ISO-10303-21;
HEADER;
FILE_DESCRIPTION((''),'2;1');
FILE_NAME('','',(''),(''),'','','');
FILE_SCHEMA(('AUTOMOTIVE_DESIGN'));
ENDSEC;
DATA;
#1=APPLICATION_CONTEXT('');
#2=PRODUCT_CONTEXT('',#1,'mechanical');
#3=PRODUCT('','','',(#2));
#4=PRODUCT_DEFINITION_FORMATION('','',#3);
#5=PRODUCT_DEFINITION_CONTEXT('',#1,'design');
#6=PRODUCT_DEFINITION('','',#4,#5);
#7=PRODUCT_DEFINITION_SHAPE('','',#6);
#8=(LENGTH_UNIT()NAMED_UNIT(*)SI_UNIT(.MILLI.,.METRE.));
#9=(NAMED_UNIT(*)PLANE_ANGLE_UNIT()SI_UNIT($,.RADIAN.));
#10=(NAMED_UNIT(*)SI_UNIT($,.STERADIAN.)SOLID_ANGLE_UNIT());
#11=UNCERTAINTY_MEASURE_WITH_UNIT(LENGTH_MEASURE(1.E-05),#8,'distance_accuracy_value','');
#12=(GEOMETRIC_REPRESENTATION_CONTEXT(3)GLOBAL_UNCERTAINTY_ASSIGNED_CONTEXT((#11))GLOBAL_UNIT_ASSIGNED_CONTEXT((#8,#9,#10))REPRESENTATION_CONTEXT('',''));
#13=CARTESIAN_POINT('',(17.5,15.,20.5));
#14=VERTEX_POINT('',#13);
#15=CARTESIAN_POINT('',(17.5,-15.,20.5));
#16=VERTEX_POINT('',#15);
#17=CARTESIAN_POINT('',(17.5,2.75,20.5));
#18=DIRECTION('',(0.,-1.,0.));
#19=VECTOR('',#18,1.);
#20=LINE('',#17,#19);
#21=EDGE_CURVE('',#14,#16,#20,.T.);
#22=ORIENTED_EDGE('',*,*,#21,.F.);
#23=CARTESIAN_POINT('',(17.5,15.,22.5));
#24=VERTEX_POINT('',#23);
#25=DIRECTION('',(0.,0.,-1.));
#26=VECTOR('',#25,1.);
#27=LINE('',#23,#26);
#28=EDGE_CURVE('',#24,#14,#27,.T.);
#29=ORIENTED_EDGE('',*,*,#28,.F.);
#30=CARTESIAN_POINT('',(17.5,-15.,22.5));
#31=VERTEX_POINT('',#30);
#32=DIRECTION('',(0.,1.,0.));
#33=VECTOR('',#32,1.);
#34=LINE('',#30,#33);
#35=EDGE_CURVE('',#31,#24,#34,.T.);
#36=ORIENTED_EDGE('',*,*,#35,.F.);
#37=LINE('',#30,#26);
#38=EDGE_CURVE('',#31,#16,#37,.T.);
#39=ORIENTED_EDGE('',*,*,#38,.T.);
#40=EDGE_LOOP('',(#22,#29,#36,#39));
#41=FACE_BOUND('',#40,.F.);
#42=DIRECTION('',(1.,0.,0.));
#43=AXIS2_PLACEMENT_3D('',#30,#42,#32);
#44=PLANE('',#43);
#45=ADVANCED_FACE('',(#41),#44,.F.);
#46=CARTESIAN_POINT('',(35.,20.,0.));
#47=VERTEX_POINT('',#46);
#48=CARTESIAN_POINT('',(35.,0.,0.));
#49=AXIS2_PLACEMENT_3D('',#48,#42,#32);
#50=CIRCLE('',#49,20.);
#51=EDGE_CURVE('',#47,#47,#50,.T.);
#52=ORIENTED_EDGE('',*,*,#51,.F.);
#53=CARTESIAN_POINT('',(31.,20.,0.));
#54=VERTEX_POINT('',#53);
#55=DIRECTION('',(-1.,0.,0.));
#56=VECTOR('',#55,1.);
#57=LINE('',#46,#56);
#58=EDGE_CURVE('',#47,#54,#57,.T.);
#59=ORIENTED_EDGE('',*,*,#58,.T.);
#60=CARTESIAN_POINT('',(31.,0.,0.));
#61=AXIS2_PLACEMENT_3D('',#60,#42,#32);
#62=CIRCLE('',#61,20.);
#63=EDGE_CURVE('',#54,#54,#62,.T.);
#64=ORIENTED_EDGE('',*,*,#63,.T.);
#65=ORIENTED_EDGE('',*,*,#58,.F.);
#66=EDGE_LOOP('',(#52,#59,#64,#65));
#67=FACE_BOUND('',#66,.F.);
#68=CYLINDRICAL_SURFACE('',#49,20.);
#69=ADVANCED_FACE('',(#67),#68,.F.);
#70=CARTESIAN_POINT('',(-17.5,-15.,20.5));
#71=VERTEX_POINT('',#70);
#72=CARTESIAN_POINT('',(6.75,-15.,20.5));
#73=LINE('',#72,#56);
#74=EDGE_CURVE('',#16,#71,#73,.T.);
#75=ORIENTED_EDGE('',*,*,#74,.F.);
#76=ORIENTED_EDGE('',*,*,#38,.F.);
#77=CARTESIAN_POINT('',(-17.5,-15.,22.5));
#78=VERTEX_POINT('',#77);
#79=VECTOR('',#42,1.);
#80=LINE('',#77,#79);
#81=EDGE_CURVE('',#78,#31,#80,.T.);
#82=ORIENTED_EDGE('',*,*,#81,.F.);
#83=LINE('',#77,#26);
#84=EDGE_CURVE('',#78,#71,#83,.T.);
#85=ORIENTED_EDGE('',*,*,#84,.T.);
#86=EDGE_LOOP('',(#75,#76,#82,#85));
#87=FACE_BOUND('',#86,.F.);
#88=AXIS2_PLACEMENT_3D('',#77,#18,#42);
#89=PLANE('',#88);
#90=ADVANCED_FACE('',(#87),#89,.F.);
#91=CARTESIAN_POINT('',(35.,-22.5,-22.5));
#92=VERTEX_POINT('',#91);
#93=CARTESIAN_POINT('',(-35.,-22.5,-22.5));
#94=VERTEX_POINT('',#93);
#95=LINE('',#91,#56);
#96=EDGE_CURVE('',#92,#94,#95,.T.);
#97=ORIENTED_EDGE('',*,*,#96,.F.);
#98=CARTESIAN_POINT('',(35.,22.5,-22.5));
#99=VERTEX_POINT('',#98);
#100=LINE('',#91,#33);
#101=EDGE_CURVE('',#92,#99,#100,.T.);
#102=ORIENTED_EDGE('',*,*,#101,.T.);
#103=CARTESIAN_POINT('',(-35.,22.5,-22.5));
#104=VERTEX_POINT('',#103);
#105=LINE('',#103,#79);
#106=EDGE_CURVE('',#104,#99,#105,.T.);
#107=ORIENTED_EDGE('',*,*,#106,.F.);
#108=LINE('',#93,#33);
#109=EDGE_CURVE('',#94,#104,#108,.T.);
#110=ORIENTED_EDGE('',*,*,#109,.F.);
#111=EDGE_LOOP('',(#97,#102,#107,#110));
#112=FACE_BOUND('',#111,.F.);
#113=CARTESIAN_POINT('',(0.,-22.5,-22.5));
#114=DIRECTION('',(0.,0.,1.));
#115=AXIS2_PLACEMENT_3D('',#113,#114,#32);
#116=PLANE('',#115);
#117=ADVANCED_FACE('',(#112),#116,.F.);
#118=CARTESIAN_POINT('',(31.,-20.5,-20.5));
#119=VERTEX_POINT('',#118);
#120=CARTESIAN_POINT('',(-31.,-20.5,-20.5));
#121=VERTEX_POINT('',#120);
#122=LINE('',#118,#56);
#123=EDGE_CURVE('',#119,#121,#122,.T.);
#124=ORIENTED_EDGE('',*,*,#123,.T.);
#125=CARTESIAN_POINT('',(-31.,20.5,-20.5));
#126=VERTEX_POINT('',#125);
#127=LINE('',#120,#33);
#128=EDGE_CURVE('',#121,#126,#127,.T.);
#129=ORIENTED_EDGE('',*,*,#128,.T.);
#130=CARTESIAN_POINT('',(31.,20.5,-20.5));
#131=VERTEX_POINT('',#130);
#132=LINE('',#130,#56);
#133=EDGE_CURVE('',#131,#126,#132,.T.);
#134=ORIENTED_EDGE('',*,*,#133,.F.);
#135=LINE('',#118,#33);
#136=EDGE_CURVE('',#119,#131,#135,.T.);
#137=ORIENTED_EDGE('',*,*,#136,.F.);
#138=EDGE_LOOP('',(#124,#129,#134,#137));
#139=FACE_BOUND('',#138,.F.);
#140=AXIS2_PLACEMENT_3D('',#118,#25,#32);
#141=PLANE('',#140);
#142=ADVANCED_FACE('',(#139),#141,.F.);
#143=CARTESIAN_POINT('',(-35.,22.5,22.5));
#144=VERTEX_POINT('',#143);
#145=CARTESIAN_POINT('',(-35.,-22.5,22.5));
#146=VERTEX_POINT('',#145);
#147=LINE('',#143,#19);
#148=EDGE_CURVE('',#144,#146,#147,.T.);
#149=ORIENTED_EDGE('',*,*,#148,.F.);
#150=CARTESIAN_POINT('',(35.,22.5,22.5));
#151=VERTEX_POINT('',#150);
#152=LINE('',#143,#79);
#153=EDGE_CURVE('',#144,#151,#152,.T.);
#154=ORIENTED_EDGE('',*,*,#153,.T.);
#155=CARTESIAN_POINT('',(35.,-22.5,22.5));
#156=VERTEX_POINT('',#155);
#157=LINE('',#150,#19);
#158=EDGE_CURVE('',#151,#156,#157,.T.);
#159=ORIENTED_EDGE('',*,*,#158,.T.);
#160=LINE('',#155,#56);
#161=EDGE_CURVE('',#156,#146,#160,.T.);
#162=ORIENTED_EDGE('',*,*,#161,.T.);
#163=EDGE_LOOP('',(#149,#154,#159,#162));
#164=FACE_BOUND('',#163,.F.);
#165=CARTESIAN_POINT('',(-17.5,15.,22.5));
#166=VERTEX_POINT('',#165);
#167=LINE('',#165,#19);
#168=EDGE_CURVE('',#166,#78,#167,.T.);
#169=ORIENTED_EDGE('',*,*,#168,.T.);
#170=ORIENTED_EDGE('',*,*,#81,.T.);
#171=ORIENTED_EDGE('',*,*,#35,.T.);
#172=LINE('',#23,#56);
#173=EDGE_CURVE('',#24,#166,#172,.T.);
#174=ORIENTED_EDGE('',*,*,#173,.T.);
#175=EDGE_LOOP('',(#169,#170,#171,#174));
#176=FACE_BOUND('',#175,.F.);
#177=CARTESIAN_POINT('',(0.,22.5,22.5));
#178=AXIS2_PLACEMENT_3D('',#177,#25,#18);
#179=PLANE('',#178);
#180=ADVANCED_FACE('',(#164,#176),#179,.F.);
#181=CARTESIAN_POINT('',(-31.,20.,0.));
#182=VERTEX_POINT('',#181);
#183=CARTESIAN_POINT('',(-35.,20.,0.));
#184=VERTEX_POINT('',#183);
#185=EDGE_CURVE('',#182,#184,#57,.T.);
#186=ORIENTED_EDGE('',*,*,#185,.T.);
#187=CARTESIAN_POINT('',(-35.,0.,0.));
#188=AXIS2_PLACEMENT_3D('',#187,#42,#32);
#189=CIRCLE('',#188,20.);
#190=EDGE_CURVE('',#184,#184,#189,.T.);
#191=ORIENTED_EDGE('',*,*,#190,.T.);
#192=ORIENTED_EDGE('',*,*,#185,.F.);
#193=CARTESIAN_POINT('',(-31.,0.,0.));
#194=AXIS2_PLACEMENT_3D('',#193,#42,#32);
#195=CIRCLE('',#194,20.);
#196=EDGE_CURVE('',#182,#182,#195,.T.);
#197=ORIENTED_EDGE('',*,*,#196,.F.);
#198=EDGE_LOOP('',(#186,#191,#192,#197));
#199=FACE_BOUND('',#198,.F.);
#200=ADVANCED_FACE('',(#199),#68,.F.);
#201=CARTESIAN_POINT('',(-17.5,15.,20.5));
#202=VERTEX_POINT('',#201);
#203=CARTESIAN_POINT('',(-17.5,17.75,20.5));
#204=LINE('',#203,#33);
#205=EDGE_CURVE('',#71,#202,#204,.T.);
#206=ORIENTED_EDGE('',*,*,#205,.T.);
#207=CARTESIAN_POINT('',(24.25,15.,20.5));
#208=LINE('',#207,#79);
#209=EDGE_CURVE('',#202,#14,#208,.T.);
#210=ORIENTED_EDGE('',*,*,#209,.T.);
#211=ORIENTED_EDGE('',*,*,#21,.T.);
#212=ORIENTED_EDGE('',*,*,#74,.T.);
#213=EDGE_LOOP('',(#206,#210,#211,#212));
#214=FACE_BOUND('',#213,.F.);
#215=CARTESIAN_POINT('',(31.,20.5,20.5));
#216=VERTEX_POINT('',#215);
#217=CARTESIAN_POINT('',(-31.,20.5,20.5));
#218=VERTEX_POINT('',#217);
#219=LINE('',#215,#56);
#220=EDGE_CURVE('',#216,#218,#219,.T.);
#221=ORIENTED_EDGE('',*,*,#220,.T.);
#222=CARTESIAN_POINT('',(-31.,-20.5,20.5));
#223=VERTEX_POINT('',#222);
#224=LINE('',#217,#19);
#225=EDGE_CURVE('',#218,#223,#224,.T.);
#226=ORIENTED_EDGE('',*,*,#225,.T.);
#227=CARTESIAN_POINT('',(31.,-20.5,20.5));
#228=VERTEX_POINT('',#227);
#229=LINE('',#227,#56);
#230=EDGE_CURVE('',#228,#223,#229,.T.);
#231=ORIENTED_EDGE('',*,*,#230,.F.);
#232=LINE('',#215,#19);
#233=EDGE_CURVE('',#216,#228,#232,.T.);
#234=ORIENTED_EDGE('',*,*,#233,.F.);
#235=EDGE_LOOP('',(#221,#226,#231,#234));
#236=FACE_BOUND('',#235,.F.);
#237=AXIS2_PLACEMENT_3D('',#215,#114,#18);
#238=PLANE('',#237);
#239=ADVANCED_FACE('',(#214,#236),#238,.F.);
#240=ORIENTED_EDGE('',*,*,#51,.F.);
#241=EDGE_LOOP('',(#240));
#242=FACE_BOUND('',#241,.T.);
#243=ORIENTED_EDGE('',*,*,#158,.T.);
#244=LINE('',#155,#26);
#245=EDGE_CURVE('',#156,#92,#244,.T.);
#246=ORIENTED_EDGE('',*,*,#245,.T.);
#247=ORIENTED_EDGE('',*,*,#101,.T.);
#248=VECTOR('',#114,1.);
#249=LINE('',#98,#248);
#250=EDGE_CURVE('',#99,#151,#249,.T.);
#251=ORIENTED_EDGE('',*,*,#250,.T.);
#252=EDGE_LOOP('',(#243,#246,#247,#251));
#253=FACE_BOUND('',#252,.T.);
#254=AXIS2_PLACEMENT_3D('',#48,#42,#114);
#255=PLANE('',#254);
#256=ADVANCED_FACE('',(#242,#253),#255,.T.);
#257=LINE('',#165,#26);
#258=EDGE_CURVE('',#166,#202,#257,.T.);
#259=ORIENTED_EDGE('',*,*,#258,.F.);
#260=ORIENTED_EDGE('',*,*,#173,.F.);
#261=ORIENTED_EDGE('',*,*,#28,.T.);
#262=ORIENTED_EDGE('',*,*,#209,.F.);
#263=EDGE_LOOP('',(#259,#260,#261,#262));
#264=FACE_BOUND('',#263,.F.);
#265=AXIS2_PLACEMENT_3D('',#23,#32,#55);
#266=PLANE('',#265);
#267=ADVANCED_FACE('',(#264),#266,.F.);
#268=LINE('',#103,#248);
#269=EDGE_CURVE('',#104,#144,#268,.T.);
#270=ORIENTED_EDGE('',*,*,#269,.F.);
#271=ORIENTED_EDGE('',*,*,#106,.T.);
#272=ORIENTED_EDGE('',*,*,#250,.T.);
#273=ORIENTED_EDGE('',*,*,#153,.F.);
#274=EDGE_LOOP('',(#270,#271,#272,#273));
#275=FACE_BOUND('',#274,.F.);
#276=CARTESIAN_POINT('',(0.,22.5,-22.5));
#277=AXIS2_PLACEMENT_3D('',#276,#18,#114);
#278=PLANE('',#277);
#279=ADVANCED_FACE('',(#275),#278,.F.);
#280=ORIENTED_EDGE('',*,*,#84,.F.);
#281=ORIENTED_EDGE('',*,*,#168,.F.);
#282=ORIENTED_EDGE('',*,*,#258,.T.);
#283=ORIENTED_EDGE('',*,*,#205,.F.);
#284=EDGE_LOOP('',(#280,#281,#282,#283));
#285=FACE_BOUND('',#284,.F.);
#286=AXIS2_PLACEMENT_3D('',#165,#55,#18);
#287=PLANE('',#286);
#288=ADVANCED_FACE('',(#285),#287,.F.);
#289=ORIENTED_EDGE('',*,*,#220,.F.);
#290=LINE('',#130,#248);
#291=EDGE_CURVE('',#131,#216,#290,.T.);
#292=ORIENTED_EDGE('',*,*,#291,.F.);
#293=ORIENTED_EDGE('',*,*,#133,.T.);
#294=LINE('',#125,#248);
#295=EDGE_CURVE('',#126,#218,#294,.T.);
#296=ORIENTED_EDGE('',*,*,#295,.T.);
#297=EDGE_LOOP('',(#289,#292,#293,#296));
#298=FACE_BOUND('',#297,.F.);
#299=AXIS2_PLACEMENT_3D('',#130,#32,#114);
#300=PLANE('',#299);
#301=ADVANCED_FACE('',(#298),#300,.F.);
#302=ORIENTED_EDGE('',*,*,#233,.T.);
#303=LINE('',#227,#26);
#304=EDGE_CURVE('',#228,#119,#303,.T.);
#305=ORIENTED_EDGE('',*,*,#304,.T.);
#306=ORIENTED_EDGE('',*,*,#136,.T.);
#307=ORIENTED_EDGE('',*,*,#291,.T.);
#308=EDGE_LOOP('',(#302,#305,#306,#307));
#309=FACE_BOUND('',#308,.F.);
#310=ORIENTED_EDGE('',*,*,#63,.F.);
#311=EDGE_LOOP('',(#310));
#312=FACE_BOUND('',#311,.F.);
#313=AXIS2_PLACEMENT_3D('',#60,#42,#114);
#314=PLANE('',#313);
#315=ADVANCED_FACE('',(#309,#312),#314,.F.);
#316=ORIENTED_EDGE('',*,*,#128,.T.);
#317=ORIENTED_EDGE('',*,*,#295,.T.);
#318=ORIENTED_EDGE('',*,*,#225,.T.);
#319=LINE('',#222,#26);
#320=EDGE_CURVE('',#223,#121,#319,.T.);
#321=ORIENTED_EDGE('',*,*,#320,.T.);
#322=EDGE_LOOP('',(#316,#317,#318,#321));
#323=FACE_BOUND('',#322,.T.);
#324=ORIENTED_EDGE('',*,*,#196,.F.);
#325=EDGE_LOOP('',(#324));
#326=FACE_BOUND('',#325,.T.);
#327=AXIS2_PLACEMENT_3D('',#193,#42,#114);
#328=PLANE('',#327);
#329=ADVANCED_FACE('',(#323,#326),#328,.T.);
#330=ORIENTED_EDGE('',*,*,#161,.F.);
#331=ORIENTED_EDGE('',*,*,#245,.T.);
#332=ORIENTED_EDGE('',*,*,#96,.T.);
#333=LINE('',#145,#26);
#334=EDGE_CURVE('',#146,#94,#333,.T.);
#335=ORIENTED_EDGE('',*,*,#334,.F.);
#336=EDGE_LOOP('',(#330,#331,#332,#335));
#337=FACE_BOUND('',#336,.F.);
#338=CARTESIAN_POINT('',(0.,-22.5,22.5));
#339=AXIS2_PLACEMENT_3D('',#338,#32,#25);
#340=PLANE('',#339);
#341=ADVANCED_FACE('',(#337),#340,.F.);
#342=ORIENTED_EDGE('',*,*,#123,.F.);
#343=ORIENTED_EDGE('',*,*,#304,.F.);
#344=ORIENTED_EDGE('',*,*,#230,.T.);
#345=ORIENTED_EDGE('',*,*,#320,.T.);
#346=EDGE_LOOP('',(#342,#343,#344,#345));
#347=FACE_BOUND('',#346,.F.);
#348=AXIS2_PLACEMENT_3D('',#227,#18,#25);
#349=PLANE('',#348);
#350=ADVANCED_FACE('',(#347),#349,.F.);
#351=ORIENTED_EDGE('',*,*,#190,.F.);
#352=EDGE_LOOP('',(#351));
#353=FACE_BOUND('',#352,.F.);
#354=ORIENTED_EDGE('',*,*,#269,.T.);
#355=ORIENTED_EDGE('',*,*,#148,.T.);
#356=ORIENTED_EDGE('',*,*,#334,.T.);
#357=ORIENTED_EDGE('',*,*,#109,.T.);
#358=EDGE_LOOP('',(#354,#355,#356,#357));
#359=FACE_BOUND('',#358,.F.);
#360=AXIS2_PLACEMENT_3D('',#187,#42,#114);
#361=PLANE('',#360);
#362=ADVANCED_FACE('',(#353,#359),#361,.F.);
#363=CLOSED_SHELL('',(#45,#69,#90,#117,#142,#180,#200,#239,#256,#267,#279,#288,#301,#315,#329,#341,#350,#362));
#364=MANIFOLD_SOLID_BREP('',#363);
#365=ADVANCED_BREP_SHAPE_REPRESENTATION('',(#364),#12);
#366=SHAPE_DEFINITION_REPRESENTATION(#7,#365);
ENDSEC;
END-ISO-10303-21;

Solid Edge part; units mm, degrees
sketch "Sketch1" plane through (0, 0, 0) normal (1, 0, 0) x (0, 1, 0)
  line L0 (-22.5, -22.5) -> (22.5, -22.5)
  line L1 (22.5, -22.5) -> (22.5, 22.5)
  line L2 (22.5, 22.5) -> (-22.5, 22.5)
  line L3 (-22.5, 22.5) -> (-22.5, -22.5)
extrude "Protrusion1" add sketch "Sketch1" along normal mid plane 70
sketch "Sketch2" plane through (35, 0, 0) normal (1, 0, 0) x (0, 1, 0)
  circle A0 centre (0, 0) radius 20
extrude "Cutout1" cut sketch "Sketch2" against normal up to next
sketch "Sketch3" plane through (31, 0, 0) normal (1, 0, 0) x (0, 1, 0)
  line L0 (-20.5, -20.5) -> (20.5, -20.5)
  line L1 (20.5, -20.5) -> (20.5, 20.5)
  line L2 (20.5, 20.5) -> (-20.5, 20.5)
  line L3 (-20.5, 20.5) -> (-20.5, -20.5)
extrude "ExtrudedCutout_4" cut sketch "Sketch3" against normal blind 62
sketch "Sketch4" plane through (0, 0, 22.5) normal (0, 0, 1) x (0, -1, 0)
  line L0 (-15, -17.5) -> (15, -17.5)
  line L1 (15, -17.5) -> (15, 17.5)
  line L2 (15, 17.5) -> (-15, 17.5)
  line L3 (-15, 17.5) -> (-15, -17.5)
extrude "Cutout2" cut sketch "Sketch4" against normal up to next
